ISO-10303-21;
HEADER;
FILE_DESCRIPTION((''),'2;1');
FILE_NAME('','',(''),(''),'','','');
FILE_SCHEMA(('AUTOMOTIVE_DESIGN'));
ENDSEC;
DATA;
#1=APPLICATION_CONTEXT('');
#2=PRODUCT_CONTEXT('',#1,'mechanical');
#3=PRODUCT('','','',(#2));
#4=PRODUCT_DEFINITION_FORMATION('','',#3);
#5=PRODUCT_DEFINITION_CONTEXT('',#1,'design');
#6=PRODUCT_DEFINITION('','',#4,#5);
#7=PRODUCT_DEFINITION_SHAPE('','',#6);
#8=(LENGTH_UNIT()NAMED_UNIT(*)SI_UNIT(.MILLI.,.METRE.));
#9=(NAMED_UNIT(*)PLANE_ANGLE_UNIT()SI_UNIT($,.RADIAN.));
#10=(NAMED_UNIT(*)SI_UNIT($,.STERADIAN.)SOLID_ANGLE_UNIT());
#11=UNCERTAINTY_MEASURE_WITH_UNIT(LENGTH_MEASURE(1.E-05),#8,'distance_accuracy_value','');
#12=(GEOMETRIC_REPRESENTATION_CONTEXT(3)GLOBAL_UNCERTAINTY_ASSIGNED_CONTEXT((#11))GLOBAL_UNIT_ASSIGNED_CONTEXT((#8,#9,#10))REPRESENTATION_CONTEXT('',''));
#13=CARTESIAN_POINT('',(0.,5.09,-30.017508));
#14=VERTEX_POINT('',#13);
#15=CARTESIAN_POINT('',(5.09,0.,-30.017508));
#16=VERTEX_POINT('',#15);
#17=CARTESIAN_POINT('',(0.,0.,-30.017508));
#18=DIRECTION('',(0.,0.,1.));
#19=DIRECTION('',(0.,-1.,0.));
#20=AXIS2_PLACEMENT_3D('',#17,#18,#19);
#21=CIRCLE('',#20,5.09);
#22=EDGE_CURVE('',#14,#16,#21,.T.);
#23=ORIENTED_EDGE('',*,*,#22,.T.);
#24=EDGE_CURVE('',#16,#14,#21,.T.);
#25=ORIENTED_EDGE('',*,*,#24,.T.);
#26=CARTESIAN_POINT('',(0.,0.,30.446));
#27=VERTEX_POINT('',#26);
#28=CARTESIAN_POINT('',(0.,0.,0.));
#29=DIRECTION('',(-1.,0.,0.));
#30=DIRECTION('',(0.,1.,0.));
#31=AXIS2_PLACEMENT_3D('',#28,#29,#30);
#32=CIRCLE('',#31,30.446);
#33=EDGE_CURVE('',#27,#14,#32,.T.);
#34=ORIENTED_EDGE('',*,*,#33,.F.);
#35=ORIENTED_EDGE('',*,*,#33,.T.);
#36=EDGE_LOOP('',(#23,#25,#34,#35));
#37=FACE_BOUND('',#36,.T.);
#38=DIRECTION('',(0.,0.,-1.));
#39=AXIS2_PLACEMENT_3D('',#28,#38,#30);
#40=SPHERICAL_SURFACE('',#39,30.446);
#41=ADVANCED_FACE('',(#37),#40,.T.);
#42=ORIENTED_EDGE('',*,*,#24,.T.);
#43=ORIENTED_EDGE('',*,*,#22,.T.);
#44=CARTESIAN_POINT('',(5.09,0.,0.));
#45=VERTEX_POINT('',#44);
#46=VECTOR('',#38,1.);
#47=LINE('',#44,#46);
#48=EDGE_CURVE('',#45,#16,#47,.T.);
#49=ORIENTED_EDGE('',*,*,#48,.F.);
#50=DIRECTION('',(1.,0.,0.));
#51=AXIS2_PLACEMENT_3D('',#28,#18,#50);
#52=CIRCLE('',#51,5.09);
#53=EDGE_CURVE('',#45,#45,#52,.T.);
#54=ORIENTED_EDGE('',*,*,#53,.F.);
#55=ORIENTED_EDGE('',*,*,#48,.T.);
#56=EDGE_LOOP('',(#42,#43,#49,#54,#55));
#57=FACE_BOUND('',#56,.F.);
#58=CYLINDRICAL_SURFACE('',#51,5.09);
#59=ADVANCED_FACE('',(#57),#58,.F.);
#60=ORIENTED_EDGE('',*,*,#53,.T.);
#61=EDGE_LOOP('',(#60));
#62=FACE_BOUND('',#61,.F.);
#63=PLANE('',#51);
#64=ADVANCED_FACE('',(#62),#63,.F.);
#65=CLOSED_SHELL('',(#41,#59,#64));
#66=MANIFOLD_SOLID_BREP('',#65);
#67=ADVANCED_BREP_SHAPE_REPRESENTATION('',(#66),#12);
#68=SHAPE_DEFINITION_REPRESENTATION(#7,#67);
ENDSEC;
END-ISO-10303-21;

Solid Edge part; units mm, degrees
sketch "Sketch1" plane through (0, 0, 0) normal (1, 0, 0) x (0, 1, 0)
  line L0 (0, 30.446) -> (0, -30.446)
  arc A0 (0, 30.446) -> (0, -30.446) centre (0, 0) cw
revolve "RevolvedProtrusion1" add sketch "Sketch1" angle 360 about axis through (0, 0, 30.446) along (0, 0, -1)
sketch "Sketch2" plane through (0, 0, 0) normal (0, 0, 1) x (1, 0, 0)
  circle A0 centre (0, 0) radius 5.09
extrude "Cutout1" cut sketch "Sketch2" against normal blind 49.9889
